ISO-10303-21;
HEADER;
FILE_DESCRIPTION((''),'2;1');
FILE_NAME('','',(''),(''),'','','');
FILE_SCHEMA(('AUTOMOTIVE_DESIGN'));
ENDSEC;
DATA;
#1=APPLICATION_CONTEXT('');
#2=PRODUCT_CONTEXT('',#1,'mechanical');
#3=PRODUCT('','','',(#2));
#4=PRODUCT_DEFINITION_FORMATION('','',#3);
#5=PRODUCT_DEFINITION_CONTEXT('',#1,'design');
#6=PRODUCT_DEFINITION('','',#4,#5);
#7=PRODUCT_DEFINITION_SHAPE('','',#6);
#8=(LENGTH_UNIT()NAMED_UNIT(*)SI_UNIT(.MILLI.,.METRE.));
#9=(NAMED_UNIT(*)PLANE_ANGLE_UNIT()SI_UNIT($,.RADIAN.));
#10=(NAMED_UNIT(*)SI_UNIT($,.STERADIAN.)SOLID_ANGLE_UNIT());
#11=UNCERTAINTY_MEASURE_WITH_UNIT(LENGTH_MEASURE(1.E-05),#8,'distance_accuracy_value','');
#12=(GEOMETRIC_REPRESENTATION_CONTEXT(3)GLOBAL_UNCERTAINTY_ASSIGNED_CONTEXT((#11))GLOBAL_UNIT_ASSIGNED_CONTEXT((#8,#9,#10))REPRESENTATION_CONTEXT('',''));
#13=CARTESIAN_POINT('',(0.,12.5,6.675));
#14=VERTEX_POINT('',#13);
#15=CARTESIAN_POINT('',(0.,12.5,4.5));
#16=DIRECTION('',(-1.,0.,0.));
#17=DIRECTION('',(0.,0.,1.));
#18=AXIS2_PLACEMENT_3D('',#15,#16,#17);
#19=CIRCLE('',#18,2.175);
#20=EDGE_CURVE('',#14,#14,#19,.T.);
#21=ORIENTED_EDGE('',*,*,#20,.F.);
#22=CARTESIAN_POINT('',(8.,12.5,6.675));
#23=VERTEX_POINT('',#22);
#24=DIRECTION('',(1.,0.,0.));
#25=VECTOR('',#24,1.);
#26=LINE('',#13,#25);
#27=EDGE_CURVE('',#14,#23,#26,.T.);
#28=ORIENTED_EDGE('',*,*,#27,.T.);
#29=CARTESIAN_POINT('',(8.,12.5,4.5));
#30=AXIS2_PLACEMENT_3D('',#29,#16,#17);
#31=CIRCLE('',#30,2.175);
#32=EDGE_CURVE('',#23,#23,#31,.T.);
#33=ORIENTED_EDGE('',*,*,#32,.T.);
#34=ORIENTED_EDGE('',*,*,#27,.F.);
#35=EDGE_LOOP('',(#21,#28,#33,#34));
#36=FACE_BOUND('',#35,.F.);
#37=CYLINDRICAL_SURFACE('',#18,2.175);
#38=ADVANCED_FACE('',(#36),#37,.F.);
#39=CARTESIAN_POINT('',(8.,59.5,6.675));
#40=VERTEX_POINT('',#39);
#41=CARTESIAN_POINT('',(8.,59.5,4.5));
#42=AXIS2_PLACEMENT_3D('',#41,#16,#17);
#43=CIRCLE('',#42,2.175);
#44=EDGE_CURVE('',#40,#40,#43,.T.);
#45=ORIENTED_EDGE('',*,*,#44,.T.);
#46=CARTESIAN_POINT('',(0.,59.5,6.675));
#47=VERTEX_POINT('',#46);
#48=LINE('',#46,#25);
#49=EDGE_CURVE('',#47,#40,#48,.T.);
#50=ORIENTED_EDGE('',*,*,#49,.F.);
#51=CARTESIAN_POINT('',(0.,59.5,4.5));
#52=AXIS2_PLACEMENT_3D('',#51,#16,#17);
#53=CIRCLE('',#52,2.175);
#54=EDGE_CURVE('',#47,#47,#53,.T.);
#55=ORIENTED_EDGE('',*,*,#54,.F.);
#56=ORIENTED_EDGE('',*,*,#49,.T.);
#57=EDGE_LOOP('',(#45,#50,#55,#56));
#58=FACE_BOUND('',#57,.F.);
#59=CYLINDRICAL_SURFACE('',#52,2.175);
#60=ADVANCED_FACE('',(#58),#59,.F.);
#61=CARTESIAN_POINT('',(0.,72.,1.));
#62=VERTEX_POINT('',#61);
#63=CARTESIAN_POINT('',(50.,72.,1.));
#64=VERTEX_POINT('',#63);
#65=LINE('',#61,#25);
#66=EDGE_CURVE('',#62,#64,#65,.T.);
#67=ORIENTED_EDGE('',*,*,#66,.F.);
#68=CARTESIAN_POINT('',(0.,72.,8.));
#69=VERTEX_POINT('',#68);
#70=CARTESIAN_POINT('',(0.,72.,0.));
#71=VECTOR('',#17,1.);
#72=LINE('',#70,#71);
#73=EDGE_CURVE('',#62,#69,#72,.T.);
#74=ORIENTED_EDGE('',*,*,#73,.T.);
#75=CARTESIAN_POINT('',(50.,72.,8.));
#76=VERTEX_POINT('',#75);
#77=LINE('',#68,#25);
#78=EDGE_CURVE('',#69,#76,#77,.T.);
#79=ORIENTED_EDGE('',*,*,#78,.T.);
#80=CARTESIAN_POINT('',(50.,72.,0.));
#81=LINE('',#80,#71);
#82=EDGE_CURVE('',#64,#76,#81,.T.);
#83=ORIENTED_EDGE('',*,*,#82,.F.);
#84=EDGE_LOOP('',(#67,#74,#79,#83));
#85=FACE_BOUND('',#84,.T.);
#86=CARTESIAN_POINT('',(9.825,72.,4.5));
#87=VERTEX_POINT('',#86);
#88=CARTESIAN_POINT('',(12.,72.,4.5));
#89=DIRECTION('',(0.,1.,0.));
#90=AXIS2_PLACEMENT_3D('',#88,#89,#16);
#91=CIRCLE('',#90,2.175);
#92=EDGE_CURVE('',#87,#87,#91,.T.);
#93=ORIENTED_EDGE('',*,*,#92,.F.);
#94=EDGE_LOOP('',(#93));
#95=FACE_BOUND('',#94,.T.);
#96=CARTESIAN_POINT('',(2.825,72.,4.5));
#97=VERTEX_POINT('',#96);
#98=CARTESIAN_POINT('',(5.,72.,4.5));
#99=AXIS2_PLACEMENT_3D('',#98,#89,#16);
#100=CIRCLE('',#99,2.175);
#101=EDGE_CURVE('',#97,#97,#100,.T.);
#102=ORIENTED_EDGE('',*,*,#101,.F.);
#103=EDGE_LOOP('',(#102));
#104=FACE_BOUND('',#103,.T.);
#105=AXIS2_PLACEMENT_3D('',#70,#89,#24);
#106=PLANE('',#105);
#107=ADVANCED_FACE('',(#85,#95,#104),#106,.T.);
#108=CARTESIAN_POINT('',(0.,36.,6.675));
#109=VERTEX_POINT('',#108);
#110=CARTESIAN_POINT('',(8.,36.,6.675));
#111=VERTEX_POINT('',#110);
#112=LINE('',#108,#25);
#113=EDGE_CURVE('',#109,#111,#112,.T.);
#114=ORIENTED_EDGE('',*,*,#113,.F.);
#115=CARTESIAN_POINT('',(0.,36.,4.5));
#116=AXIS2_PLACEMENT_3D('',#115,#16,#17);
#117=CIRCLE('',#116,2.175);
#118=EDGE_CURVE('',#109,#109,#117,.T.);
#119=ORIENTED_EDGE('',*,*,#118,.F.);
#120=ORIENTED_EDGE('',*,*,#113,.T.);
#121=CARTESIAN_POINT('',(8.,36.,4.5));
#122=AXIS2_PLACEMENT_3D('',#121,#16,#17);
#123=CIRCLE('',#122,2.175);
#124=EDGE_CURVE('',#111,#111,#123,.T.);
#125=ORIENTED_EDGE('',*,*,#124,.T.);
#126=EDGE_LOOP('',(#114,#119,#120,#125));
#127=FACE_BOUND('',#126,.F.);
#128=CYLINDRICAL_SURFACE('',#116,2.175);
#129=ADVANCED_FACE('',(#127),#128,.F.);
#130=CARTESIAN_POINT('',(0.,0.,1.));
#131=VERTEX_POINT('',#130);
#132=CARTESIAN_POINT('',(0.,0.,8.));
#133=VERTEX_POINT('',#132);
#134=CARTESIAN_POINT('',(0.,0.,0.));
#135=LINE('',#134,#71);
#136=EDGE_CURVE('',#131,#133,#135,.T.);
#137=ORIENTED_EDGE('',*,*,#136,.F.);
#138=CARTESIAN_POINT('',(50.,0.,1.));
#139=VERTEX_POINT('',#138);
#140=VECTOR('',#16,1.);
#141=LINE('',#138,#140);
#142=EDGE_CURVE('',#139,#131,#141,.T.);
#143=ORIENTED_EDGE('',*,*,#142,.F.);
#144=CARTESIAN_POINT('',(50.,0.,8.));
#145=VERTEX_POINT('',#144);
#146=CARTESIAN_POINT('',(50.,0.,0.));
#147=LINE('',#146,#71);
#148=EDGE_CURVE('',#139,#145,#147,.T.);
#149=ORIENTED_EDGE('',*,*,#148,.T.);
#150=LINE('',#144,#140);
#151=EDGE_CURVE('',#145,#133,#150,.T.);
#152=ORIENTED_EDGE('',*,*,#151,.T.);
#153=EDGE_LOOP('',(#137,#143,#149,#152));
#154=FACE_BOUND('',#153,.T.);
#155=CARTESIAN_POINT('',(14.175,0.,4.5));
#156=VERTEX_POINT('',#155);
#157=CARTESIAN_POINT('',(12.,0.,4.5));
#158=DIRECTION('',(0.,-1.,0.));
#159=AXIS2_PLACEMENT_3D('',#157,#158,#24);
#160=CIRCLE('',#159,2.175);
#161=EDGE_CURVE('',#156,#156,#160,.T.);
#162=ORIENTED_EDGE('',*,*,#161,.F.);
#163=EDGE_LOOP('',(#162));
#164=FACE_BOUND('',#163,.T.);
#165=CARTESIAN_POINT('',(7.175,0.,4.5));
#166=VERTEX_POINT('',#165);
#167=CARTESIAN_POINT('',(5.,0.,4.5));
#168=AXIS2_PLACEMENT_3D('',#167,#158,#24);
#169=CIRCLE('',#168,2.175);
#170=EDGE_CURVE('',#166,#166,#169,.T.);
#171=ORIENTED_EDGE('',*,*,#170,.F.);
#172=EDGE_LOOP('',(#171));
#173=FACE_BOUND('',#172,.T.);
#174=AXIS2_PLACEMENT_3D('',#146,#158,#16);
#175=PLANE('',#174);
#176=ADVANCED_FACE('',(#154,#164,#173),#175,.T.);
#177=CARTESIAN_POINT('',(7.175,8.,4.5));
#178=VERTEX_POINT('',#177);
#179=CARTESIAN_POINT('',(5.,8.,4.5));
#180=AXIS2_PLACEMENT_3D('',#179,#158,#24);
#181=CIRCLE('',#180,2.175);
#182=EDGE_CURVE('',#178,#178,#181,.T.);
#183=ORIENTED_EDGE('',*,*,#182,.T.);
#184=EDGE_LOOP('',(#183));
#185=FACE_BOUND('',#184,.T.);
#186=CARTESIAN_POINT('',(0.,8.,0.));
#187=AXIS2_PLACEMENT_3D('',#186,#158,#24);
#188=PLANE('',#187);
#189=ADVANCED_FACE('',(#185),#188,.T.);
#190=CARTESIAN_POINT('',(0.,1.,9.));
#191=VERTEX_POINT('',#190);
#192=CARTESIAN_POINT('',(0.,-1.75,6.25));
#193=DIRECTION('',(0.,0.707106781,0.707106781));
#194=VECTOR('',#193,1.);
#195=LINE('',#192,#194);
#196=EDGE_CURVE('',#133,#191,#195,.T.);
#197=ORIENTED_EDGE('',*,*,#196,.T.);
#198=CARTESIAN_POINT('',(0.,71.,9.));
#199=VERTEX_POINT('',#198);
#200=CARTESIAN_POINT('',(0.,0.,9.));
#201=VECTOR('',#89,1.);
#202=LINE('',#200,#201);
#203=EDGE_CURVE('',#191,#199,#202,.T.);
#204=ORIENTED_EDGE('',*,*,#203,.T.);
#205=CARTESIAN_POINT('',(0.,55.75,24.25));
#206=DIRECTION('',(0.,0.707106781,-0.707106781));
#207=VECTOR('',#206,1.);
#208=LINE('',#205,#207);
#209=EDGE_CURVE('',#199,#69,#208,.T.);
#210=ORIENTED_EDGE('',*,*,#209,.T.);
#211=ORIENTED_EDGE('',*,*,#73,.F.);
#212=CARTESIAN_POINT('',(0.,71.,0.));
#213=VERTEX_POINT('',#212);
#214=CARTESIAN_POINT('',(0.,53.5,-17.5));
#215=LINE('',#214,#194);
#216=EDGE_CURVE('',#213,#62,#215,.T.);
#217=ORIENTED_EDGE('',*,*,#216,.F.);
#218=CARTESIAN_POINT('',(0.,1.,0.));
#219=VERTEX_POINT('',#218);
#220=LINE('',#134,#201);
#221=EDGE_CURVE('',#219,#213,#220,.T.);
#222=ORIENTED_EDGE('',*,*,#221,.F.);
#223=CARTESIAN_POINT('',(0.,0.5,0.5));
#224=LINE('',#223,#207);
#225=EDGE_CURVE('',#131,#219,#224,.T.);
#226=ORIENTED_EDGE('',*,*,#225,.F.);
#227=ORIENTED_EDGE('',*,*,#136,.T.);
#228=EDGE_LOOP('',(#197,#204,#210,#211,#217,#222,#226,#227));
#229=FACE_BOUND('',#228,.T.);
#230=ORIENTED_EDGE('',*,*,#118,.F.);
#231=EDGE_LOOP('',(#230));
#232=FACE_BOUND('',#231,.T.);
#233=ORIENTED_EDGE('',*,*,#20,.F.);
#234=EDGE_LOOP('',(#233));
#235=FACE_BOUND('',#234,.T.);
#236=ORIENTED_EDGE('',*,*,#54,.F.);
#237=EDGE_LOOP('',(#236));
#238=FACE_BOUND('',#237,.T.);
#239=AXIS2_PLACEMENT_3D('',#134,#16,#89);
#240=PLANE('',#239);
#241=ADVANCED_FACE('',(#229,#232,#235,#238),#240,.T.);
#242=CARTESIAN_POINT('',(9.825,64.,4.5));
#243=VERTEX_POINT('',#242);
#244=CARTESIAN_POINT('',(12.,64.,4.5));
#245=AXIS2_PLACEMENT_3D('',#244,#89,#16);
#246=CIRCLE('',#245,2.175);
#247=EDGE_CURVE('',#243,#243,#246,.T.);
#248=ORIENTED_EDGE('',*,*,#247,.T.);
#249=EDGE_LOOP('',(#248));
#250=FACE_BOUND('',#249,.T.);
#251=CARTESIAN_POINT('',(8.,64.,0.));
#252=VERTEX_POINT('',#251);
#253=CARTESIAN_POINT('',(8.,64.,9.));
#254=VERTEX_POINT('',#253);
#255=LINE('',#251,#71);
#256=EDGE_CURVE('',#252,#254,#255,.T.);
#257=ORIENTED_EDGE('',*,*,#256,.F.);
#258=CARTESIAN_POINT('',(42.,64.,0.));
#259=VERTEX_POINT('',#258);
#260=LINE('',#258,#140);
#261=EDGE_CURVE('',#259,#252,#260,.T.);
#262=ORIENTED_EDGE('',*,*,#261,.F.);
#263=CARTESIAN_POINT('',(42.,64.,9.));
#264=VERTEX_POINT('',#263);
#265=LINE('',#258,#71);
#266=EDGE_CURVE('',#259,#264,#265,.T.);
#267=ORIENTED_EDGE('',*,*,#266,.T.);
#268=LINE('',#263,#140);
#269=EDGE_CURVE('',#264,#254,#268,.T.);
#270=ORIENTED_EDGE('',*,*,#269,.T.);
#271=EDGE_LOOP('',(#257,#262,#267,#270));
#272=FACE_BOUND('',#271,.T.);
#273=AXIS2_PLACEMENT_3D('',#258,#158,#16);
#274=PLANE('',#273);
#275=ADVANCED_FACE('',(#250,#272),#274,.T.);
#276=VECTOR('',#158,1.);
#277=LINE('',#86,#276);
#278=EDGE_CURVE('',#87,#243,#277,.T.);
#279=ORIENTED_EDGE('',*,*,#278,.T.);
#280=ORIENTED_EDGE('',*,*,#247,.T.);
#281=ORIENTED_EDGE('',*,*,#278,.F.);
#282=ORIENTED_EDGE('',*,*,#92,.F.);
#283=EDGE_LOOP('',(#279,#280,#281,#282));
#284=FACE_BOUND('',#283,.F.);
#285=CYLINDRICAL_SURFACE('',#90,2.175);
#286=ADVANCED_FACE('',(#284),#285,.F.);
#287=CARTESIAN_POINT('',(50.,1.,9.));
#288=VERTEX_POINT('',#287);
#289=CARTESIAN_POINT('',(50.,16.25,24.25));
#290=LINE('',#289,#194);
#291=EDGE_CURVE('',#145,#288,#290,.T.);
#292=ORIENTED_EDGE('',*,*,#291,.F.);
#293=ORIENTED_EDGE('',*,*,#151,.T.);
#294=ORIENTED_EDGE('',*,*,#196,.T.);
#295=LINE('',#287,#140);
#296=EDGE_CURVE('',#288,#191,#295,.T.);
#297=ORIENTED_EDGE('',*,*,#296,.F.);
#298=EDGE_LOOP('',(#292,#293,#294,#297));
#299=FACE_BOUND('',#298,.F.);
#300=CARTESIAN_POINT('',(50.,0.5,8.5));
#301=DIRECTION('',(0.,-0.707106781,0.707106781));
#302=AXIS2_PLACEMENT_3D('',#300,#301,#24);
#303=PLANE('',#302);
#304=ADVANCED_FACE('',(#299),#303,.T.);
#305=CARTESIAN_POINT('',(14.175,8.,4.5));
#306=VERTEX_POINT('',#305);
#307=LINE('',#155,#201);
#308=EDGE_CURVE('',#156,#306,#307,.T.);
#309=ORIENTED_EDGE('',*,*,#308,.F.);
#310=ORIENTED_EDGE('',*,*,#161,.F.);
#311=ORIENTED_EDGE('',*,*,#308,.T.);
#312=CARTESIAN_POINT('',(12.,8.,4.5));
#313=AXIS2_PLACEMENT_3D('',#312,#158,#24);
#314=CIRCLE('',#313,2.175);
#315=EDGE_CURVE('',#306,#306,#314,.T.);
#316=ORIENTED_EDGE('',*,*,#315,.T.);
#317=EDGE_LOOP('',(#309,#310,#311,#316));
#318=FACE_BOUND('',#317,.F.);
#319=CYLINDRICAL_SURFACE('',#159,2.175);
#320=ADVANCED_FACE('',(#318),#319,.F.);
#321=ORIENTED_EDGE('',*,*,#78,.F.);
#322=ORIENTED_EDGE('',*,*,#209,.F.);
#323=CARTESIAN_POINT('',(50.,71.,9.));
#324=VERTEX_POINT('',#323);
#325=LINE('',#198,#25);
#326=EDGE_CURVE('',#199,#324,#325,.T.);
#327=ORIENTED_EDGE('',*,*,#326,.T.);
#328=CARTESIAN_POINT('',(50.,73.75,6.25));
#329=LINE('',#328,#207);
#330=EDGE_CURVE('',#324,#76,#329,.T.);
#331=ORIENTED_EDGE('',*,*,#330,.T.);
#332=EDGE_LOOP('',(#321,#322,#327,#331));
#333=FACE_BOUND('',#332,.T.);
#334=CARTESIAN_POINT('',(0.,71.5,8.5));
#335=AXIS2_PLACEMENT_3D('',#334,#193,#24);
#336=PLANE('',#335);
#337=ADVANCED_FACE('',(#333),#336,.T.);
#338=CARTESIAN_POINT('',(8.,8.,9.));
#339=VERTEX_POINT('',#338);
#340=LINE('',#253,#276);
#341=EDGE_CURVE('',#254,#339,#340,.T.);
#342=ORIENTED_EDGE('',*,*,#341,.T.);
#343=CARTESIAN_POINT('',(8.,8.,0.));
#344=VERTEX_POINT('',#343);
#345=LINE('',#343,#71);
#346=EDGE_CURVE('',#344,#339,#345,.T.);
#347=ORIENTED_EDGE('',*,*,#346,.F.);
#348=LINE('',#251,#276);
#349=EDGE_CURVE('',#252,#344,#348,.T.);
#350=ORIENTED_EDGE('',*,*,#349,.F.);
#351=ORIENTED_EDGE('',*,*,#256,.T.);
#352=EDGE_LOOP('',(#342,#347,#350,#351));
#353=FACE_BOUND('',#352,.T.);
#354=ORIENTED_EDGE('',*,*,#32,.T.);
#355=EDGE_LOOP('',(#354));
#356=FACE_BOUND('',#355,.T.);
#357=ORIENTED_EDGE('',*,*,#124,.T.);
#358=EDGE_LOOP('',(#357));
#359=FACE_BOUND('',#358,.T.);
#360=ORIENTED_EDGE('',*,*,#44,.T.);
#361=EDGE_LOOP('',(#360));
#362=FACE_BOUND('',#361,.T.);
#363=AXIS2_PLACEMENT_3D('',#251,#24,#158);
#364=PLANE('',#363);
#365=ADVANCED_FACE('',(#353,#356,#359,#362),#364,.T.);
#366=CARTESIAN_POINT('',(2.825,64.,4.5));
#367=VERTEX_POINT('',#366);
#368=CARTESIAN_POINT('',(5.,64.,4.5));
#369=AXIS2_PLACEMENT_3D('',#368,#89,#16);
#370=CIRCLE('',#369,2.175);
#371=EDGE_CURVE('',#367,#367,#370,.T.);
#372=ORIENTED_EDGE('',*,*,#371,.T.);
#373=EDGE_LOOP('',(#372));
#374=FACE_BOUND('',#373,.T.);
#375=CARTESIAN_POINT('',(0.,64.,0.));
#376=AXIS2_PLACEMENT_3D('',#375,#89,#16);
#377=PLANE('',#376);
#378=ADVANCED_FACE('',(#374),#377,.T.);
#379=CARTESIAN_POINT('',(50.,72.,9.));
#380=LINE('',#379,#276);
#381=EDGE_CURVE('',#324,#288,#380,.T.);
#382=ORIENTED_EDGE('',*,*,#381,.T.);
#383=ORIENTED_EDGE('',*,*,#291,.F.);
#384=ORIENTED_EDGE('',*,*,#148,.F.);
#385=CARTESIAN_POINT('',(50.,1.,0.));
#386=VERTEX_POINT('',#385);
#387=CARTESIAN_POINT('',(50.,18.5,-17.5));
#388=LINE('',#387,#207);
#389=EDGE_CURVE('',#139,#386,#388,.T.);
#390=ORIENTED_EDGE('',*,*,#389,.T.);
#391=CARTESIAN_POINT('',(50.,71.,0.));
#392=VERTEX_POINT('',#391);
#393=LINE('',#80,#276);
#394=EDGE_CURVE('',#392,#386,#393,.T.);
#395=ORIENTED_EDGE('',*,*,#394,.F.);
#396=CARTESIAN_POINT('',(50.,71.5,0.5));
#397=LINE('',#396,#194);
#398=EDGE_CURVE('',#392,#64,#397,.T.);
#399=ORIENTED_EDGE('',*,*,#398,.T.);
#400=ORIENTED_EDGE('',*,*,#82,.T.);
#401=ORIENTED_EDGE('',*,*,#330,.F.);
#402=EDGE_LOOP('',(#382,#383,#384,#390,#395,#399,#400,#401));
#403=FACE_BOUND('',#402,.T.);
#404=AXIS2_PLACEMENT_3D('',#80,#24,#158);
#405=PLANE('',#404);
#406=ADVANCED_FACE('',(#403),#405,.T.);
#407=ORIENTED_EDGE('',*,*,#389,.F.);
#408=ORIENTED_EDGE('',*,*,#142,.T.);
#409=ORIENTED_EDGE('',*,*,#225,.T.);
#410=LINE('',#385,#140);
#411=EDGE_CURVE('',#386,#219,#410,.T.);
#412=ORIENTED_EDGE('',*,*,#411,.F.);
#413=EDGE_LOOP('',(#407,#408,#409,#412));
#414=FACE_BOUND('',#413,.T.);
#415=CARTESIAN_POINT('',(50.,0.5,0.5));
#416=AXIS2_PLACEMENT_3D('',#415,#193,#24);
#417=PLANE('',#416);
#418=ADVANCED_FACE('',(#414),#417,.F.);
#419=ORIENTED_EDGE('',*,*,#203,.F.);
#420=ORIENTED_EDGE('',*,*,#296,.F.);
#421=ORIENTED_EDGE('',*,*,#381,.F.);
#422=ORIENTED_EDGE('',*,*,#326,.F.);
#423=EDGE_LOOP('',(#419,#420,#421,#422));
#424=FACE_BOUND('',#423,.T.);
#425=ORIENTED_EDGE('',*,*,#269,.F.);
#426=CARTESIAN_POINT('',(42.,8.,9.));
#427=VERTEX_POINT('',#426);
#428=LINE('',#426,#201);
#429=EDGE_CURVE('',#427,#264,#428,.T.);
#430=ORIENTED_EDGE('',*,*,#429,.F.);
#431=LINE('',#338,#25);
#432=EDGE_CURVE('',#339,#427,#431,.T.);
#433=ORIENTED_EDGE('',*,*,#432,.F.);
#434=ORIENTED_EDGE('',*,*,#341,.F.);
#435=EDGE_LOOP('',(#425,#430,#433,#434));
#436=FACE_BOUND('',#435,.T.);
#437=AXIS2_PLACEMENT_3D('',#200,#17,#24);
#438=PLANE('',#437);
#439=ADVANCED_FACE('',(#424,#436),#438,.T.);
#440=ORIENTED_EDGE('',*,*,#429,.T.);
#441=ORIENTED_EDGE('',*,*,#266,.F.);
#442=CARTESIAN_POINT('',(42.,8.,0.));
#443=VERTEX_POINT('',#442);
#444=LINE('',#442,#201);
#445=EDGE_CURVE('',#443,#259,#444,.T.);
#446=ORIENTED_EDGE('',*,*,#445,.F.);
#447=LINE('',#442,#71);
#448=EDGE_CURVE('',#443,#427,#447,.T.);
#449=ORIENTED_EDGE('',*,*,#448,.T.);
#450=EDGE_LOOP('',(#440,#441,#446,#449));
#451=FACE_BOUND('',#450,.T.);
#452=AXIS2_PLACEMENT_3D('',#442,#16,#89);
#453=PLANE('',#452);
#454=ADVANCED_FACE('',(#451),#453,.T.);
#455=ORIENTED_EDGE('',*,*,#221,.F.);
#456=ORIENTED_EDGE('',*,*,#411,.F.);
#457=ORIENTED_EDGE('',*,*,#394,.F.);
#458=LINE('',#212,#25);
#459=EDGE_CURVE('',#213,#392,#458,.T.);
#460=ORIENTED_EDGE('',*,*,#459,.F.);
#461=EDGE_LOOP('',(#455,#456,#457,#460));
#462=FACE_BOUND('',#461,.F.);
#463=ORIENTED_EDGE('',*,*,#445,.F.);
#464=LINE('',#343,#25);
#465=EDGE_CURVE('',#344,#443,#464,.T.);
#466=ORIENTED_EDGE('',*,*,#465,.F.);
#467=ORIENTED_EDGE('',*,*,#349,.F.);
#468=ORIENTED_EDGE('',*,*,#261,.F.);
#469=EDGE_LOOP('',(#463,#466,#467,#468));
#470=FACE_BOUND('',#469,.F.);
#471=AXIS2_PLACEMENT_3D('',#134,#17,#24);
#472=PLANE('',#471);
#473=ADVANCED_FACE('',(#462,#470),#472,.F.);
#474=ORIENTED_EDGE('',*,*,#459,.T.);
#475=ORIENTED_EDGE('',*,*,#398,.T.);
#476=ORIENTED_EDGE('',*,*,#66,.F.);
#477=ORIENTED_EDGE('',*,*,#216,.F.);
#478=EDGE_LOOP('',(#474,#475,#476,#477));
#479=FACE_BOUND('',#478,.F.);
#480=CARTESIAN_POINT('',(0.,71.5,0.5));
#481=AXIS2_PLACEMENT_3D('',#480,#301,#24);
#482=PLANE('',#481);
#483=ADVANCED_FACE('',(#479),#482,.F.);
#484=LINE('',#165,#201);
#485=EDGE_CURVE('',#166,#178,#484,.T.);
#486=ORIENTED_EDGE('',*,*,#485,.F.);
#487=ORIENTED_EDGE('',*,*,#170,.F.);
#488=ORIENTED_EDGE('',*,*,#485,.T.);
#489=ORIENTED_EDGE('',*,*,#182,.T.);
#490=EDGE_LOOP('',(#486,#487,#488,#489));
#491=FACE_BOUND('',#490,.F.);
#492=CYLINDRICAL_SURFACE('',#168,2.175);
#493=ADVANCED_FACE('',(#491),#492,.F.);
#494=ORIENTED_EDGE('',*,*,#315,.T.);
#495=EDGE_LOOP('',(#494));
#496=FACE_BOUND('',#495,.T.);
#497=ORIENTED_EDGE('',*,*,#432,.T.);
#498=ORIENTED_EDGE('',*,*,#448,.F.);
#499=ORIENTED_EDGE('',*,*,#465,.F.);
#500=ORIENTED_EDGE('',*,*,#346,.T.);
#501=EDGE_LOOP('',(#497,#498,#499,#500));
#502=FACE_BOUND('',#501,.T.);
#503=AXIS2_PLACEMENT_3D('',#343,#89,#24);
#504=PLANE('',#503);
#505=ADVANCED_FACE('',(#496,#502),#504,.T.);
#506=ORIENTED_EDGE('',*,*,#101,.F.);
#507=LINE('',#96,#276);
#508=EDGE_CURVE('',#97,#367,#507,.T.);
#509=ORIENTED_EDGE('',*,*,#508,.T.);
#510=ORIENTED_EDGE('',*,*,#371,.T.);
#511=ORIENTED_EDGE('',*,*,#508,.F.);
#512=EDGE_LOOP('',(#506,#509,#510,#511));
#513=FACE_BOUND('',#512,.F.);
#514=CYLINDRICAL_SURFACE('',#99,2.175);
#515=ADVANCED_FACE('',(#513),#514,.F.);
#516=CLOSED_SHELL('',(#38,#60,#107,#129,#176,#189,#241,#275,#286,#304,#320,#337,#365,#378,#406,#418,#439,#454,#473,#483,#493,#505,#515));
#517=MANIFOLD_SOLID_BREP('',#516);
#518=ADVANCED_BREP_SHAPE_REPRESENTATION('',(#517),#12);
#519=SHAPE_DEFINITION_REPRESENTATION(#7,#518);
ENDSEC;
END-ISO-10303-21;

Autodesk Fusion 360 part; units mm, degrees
sketch "Esquisse1" plane through (0, 0, 0) normal (0, 0, 1) x (1, 0, 0)
  line L0 (50, 0) -> (0, 0)
  line L1 (0, 0) -> (0, 72)
  line L2 (0, 72) -> (50, 72)
  line L3 (50, 72) -> (50, 0)
  line L4 (42, 64) -> (8, 64)
  line L5 (8, 64) -> (8, 8)
  line L6 (8, 8) -> (42, 8)
  line L7 (42, 8) -> (42, 64)
  dimension "d3" = 72
  dimension "d4" = 50
  dimension "d26" = 8
  dimension "d27" = 8
  dimension "d28" = 8
  dimension "d29" = 8
extrude "Extrusion1" add sketch "Esquisse1" along normal blind 9
sketch "Esquisse2" plane through (0, 0, 0) normal (0, -1, 0) x (1, 0, 0)
  line L0 (0, 0) -> (50, 0)
  line L1 (50, 9) -> (0, 9)
  line L2 (0, 9) -> (0, 0)
  line L3 (-5.7525, 4.5) -> (21.5406, 4.5) construction
  circle A0 centre (5, 4.5) radius 2.175
  circle A1 centre (12, 4.5) radius 2.175
  line L4 (50, 0) -> (50, 9)
  dimension "d7" = 4.35
  dimension "d8" = 7
  dimension "d9" = 4.5
  dimension "d10" = 5
extrude "Extrusion2" cut sketch "Esquisse2" against normal blind 8 contours A0 | A1
sketch "Esquisse3" plane through (0, 72, 0) normal (0, 1, 0) x (-1, 0, 0)
  line L0 (-50, 0) -> (0, 0)
  line L1 (0, 0) -> (0, 9)
  line L2 (0, 9) -> (-50, 9)
  line L3 (5.6122, 4.5) -> (-27.7174, 4.5) construction
  circle A0 centre (-12, 4.5) radius 2.175
  circle A1 centre (-5, 4.5) radius 2.175
  line L4 (-50, 9) -> (-50, 0)
  dimension "d13" = 4.5
  dimension "d14" = 7
  dimension "d15" = 5
  dimension "d16" = 4.35
extrude "Extrusion3" cut sketch "Esquisse3" against normal blind 8 contours A0 | A1
sketch "Esquisse4" plane through (0, 0, 0) normal (-1, 0, 0) x (0, 0, 1)
  line L0 (0, 72) -> (0, 0)
  line L1 (0, 0) -> (9, 0)
  line L2 (9, 0) -> (9, 72)
  line L3 (9, 72) -> (0, 72)
  line L4 (4.5, 76) -> (4.5, -2) construction
  circle A0 centre (4.5, 12.5) radius 2.175
  circle A1 centre (4.5, 59.5) radius 2.175
  circle A2 centre (4.5, 36) radius 2.175
  dimension "d19" = 4.35
  dimension "d20" = 12.5
  dimension "d21" = 12.5
  dimension "d22" = 23.5
  dimension "d25" = 4.5
extrude "Extrusion4" cut sketch "Esquisse4" against normal blind 8 contours A0 | A1 | A2
chamfer "Chanfrein1" distance 1 angle 45 4 edges at (25, 0, 9) (25, 72, 9) (25, 72, 0) (25, 0, 0)
equation "d21 = d20"
equation "d22 = ( 47 / 2 ) * 1 mm"
equation "d27 = d26"
equation "d28 = d26"
equation "d29 = d26"
